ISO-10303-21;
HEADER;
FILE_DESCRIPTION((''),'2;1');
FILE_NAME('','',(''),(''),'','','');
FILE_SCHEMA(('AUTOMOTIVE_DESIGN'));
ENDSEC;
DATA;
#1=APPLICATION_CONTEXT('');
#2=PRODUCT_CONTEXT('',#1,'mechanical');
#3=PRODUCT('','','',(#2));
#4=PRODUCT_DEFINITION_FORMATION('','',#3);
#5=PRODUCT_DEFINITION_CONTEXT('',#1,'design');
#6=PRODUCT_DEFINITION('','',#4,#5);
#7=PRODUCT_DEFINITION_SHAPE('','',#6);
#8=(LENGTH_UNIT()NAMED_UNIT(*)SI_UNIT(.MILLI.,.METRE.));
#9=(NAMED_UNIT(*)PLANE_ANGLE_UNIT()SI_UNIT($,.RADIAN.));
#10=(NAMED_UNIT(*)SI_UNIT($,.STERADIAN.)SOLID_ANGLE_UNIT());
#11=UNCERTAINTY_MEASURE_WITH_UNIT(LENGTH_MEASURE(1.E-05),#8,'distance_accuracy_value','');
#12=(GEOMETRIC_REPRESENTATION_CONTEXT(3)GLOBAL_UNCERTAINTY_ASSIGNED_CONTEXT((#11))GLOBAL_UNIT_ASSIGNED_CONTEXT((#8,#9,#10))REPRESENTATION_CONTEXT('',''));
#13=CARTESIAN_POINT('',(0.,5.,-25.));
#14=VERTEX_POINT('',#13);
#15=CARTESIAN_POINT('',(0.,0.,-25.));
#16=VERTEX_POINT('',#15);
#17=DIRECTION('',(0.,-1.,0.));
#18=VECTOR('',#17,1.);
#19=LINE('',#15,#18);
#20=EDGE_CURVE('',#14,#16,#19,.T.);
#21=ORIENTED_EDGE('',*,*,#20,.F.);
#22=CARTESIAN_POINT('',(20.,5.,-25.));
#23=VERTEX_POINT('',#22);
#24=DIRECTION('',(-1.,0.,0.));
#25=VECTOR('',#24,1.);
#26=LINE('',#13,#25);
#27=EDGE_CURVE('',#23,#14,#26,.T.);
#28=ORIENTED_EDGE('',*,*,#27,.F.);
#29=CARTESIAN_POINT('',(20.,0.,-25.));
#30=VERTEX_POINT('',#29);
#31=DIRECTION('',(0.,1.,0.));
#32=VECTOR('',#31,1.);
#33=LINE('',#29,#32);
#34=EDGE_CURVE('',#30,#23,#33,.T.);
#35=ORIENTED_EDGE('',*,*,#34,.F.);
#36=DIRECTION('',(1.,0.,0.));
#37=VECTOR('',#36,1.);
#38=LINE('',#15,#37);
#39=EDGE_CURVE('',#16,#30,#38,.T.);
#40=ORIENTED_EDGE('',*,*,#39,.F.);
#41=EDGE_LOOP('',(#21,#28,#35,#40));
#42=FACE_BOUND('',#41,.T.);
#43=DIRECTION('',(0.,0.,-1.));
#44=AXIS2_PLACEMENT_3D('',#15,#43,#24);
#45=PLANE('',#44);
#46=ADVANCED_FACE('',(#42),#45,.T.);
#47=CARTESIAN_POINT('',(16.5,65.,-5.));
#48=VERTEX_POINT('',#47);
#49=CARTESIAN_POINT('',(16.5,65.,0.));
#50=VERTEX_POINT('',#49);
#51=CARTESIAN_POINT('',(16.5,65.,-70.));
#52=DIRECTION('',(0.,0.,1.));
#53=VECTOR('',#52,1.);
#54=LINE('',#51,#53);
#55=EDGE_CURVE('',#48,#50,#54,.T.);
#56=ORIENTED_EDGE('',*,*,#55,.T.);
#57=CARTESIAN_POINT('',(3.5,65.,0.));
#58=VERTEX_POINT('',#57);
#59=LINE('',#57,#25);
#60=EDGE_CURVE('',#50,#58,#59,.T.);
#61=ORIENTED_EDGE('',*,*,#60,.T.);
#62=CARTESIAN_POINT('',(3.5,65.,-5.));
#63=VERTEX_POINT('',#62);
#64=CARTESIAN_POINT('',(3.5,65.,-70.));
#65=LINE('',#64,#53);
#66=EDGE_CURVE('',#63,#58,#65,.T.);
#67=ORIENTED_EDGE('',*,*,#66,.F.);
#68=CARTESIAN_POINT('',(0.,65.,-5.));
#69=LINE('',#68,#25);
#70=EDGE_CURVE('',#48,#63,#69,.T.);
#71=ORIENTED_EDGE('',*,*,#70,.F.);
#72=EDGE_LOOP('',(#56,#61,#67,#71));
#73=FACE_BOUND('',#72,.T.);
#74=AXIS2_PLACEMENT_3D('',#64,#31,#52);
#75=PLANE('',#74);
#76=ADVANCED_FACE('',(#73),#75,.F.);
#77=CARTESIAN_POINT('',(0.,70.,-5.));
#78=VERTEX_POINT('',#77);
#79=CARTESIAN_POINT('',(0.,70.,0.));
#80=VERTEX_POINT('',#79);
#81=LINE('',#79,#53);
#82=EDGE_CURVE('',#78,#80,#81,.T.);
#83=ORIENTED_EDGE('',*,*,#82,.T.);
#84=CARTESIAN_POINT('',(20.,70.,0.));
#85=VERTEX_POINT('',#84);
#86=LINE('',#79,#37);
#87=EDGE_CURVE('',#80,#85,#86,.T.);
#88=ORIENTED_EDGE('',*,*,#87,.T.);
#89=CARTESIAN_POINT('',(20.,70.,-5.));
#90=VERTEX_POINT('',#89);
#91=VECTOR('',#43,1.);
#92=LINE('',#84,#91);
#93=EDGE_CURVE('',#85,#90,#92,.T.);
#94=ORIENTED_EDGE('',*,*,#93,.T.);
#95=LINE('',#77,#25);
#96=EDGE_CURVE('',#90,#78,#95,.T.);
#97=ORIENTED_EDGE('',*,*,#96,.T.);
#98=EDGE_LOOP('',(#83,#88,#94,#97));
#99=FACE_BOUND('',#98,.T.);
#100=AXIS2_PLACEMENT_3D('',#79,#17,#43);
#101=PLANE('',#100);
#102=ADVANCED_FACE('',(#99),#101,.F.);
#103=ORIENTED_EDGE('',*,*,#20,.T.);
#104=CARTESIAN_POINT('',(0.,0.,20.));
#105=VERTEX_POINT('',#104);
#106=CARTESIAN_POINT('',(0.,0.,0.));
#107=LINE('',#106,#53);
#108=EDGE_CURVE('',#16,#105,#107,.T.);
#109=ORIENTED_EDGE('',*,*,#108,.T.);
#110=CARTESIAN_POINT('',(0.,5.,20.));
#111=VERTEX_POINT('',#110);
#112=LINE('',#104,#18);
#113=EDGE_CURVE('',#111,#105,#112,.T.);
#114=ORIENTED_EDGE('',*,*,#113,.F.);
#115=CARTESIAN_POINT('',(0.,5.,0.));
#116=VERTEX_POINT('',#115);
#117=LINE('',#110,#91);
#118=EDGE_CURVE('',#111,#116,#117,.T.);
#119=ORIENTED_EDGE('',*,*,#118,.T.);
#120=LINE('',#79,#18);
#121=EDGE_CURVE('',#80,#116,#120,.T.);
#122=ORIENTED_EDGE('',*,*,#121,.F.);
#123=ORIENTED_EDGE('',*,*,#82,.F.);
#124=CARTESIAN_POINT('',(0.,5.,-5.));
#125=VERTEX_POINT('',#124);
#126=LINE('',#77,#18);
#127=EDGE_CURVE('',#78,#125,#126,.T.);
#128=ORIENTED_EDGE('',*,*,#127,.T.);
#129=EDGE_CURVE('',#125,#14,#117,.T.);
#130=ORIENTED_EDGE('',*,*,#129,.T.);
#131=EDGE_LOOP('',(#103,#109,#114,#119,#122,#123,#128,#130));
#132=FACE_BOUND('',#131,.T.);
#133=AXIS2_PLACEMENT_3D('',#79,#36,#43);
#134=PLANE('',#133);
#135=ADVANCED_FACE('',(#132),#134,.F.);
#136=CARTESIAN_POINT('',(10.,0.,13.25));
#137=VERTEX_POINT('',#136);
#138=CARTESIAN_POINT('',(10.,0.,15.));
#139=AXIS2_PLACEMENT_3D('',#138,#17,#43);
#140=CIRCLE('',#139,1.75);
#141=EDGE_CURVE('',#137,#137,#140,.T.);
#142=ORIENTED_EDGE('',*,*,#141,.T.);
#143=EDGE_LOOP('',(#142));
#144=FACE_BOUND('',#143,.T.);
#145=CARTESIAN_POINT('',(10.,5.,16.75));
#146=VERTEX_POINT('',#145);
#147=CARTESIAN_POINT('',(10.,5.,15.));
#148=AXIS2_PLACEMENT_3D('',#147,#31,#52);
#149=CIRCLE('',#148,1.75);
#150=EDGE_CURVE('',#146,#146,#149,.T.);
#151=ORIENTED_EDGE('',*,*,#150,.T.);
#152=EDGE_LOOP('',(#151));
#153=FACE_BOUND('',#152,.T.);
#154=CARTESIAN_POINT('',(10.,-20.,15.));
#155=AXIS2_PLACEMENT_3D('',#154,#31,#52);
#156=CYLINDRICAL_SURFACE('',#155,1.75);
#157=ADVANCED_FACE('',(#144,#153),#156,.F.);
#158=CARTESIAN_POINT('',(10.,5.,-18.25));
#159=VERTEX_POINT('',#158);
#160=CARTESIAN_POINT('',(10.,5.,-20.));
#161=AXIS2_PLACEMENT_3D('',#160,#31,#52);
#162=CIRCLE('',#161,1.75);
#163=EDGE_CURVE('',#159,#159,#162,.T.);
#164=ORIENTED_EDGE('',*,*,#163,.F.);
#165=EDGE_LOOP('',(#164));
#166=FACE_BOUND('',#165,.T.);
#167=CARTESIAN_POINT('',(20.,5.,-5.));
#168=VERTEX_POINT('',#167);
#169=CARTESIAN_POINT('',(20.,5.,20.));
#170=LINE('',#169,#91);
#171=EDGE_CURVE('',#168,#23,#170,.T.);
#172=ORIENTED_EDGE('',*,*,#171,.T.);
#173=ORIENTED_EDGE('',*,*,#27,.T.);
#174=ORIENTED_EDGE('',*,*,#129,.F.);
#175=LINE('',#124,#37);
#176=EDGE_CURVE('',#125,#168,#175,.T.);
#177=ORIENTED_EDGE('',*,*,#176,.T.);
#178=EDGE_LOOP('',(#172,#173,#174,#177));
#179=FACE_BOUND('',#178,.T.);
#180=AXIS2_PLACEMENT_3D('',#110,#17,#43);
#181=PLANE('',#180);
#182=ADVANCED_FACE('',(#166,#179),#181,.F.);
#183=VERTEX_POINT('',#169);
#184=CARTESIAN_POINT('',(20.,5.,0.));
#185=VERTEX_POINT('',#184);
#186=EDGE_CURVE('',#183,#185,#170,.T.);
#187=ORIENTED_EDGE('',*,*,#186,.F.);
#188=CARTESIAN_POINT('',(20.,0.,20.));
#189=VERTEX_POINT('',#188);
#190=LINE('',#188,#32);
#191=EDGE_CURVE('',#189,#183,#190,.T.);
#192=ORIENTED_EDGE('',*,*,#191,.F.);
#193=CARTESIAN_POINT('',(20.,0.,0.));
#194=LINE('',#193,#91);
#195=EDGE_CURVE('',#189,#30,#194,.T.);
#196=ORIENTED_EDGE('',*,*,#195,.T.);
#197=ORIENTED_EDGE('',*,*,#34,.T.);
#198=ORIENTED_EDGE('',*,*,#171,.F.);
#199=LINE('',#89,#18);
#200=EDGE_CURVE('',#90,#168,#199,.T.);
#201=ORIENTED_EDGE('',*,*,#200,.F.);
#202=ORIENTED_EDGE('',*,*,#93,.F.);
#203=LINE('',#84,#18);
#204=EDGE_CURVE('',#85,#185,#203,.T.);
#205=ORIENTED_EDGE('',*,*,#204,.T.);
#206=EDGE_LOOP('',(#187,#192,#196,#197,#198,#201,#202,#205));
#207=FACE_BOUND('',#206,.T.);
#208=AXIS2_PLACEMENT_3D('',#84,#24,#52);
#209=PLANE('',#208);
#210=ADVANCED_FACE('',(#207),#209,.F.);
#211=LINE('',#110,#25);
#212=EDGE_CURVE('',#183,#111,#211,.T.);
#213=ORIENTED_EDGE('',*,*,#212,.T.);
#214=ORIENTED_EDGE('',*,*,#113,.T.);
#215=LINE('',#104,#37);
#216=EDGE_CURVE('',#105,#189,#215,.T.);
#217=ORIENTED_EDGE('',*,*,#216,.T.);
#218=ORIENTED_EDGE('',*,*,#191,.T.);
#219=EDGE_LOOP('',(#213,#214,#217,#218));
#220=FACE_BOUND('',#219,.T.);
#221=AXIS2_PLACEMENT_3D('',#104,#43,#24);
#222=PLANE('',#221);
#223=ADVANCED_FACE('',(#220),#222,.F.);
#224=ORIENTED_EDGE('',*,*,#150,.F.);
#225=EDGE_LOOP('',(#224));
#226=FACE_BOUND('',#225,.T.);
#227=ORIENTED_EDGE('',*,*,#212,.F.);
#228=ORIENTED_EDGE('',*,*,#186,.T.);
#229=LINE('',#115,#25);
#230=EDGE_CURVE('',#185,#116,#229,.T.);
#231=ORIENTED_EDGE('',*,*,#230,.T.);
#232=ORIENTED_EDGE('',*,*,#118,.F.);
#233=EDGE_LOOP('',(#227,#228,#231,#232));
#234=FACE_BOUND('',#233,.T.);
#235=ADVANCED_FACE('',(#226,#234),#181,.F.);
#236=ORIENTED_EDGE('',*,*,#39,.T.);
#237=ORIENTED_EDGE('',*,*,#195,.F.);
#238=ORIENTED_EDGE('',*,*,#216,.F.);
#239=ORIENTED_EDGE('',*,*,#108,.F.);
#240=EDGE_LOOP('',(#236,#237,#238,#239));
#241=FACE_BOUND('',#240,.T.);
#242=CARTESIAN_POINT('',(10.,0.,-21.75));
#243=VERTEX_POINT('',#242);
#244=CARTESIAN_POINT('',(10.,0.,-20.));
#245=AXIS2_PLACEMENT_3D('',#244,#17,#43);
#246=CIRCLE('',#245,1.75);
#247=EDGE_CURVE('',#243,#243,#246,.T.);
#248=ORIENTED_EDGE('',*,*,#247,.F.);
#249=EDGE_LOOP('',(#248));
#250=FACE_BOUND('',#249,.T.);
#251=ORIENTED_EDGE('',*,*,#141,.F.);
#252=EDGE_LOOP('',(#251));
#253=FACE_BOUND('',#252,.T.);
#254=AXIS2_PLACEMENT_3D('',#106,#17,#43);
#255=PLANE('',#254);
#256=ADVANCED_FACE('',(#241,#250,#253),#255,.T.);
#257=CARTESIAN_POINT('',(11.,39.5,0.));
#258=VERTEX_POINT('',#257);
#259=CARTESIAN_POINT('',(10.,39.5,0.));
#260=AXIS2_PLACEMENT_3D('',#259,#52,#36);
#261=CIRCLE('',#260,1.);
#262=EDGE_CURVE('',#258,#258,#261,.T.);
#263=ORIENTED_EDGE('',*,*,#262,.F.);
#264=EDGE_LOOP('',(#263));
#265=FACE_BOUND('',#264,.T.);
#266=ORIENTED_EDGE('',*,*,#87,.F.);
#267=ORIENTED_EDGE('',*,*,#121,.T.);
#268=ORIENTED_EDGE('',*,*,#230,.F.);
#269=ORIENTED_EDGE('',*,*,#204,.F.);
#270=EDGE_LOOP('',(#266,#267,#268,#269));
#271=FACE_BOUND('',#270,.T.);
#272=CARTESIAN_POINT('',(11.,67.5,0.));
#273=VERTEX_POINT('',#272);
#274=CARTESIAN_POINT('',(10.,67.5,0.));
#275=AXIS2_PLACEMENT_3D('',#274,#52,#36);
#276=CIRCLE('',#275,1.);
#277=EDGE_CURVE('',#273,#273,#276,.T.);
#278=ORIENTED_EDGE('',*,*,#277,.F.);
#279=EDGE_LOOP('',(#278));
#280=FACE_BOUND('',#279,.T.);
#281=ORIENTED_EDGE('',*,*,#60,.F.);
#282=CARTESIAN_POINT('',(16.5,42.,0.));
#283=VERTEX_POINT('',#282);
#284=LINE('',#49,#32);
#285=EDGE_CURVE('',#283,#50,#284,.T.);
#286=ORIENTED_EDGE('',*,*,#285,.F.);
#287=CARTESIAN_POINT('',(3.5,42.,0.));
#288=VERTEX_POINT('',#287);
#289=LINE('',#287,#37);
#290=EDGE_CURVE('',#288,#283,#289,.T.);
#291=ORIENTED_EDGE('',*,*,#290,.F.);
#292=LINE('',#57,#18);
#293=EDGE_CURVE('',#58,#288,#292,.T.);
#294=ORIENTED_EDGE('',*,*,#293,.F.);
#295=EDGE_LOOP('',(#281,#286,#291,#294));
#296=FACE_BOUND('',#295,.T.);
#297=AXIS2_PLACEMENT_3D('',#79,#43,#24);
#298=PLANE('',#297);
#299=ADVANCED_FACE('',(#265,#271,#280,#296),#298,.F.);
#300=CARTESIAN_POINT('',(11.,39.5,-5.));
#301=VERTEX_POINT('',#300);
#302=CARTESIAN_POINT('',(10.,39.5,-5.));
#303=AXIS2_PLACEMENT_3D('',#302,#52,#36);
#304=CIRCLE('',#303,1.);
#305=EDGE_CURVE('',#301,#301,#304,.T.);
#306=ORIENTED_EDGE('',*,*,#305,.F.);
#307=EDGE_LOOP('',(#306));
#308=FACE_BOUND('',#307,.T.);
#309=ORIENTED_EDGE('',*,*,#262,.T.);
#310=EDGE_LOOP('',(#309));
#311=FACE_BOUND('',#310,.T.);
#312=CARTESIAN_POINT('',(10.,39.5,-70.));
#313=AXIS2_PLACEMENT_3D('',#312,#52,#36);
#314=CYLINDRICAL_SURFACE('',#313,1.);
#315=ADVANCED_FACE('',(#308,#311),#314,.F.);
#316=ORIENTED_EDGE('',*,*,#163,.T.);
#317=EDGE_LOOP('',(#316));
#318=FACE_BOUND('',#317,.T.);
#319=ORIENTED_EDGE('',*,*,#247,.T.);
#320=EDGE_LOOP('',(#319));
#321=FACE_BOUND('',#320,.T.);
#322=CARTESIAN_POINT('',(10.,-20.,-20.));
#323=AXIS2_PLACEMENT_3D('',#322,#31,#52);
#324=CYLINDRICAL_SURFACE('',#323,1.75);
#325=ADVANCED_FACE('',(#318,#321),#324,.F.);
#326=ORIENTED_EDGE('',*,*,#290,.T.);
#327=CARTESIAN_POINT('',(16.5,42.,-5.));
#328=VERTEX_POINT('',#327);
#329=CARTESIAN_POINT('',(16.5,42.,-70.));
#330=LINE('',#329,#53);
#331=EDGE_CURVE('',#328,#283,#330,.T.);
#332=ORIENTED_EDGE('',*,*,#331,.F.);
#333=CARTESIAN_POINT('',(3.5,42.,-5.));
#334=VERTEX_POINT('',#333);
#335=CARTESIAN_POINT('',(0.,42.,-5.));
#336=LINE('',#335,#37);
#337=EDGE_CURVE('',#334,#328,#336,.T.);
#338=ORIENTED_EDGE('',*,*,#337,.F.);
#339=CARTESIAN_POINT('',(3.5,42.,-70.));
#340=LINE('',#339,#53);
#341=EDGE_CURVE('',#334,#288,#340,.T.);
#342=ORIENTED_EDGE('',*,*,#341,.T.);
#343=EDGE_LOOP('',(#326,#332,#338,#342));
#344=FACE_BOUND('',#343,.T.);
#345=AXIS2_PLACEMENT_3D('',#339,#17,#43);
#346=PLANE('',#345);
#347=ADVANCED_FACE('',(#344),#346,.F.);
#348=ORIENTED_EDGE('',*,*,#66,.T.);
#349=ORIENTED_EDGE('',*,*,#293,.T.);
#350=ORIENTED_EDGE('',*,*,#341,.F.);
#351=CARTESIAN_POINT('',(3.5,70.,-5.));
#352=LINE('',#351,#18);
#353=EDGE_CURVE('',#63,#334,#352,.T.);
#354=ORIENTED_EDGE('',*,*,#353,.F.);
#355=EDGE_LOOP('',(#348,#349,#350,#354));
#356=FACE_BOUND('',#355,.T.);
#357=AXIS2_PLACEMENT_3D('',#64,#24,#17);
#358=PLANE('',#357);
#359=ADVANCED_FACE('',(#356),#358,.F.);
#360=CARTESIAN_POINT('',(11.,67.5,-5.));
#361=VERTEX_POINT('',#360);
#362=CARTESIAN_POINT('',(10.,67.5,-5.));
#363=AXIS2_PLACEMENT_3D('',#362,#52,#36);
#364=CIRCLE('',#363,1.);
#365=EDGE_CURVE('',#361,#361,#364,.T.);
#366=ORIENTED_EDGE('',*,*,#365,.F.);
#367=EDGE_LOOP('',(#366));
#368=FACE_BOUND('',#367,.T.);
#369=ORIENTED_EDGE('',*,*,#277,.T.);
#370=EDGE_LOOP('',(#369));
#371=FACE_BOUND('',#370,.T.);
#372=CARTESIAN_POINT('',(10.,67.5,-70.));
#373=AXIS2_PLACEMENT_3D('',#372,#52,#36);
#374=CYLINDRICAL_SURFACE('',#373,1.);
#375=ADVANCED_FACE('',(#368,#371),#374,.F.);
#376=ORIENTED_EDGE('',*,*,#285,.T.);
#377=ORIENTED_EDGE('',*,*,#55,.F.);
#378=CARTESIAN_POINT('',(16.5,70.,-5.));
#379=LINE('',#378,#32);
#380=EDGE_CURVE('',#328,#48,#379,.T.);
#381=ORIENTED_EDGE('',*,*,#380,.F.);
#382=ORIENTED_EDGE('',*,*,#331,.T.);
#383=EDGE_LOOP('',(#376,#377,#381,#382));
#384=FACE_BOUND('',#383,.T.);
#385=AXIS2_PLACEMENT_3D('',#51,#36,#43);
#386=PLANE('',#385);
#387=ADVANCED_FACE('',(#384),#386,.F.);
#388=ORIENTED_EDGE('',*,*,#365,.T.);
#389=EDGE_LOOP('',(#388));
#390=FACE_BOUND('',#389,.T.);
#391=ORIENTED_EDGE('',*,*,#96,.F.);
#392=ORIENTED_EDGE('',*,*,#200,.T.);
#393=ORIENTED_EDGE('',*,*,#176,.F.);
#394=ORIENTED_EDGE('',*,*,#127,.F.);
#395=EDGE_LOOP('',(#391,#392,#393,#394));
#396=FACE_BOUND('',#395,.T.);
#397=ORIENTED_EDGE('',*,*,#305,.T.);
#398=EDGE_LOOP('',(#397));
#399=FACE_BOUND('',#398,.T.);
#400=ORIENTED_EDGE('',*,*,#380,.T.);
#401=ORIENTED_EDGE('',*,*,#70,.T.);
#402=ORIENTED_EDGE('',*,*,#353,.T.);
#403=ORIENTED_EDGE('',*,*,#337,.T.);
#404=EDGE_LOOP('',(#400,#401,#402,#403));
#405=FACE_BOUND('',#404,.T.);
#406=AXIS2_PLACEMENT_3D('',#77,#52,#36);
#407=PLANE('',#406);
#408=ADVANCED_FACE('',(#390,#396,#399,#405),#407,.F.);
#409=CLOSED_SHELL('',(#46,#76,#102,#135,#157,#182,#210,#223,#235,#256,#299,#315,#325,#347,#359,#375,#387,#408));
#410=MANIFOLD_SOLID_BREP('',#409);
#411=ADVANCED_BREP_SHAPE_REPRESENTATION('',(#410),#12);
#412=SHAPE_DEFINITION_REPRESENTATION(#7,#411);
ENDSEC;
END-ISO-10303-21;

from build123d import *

# Parameters (mm, degrees)
IZIM1_W                          = 20
IZIM1_H                          = 5
Y_KSEKLIK_EKSTR_ZYON3_DEPTH      = 70
IZIM2_R                          = 1
IZIM2_W                          = 13
IZIM2_H                          = 23
KES_EKSTR_ZYON1_DEPTH            = 70
Y_KSEKLIK_EKSTR_ZYON4_DEPTH      = 20
Y_KSEKLIK_EKSTR_ZYON4_DEPTH_BACK = 25
IZIM3_W                          = 20
IZIM3_H                          = 5
IZIM4_R                          = 1.75
KES_EKSTR_ZYON2_DEPTH            = 25


with BuildPart() as part:
    # Çizim1 → Yükseklik-Ekstrüzyon3 (new body)
    with BuildSketch(Plane(origin=(0, 0, 0), x_dir=(1, 0, 0), z_dir=(0, 1, 0))):
        with Locations((10, 2.5)):
            Rectangle(IZIM1_W, IZIM1_H)
    extrude(amount=Y_KSEKLIK_EKSTR_ZYON3_DEPTH)

    # Çizim2 → Kes-Ekstrüzyon1 (cut)
    with BuildSketch(Plane.XY):
        with Locations((10, 67.5)):
            Circle(IZIM2_R)
        with Locations((10, 39.5)):
            Circle(IZIM2_R)
        with Locations((10, 53.5)):
            Rectangle(IZIM2_W, IZIM2_H)
    extrude(amount=-KES_EKSTR_ZYON1_DEPTH, mode=Mode.SUBTRACT)

    # Çizim3 → Yükseklik-Ekstrüzyon4 (add, two sides: drawn at the far end of the back side and taken through both)
    with BuildSketch(Plane.XY.offset(-Y_KSEKLIK_EKSTR_ZYON4_DEPTH_BACK)):
        with Locations((10, 2.5)):
            Rectangle(IZIM3_W, IZIM3_H)
    extrude(amount=Y_KSEKLIK_EKSTR_ZYON4_DEPTH + Y_KSEKLIK_EKSTR_ZYON4_DEPTH_BACK)

    # Çizim4 → Kes-Ekstrüzyon2 (cut)
    with BuildSketch(Plane(origin=(0, 5, 0), x_dir=(1, 0, 0), z_dir=(0, 1, 0))):
        with Locations(Location((10, -15, 0), (0, 0, 270))):
            Circle(IZIM4_R)
        with Locations(Location((10, 20, 0), (0, 0, 270))):
            Circle(IZIM4_R)
    extrude(amount=-KES_EKSTR_ZYON2_DEPTH, mode=Mode.SUBTRACT)


solid = part.part
